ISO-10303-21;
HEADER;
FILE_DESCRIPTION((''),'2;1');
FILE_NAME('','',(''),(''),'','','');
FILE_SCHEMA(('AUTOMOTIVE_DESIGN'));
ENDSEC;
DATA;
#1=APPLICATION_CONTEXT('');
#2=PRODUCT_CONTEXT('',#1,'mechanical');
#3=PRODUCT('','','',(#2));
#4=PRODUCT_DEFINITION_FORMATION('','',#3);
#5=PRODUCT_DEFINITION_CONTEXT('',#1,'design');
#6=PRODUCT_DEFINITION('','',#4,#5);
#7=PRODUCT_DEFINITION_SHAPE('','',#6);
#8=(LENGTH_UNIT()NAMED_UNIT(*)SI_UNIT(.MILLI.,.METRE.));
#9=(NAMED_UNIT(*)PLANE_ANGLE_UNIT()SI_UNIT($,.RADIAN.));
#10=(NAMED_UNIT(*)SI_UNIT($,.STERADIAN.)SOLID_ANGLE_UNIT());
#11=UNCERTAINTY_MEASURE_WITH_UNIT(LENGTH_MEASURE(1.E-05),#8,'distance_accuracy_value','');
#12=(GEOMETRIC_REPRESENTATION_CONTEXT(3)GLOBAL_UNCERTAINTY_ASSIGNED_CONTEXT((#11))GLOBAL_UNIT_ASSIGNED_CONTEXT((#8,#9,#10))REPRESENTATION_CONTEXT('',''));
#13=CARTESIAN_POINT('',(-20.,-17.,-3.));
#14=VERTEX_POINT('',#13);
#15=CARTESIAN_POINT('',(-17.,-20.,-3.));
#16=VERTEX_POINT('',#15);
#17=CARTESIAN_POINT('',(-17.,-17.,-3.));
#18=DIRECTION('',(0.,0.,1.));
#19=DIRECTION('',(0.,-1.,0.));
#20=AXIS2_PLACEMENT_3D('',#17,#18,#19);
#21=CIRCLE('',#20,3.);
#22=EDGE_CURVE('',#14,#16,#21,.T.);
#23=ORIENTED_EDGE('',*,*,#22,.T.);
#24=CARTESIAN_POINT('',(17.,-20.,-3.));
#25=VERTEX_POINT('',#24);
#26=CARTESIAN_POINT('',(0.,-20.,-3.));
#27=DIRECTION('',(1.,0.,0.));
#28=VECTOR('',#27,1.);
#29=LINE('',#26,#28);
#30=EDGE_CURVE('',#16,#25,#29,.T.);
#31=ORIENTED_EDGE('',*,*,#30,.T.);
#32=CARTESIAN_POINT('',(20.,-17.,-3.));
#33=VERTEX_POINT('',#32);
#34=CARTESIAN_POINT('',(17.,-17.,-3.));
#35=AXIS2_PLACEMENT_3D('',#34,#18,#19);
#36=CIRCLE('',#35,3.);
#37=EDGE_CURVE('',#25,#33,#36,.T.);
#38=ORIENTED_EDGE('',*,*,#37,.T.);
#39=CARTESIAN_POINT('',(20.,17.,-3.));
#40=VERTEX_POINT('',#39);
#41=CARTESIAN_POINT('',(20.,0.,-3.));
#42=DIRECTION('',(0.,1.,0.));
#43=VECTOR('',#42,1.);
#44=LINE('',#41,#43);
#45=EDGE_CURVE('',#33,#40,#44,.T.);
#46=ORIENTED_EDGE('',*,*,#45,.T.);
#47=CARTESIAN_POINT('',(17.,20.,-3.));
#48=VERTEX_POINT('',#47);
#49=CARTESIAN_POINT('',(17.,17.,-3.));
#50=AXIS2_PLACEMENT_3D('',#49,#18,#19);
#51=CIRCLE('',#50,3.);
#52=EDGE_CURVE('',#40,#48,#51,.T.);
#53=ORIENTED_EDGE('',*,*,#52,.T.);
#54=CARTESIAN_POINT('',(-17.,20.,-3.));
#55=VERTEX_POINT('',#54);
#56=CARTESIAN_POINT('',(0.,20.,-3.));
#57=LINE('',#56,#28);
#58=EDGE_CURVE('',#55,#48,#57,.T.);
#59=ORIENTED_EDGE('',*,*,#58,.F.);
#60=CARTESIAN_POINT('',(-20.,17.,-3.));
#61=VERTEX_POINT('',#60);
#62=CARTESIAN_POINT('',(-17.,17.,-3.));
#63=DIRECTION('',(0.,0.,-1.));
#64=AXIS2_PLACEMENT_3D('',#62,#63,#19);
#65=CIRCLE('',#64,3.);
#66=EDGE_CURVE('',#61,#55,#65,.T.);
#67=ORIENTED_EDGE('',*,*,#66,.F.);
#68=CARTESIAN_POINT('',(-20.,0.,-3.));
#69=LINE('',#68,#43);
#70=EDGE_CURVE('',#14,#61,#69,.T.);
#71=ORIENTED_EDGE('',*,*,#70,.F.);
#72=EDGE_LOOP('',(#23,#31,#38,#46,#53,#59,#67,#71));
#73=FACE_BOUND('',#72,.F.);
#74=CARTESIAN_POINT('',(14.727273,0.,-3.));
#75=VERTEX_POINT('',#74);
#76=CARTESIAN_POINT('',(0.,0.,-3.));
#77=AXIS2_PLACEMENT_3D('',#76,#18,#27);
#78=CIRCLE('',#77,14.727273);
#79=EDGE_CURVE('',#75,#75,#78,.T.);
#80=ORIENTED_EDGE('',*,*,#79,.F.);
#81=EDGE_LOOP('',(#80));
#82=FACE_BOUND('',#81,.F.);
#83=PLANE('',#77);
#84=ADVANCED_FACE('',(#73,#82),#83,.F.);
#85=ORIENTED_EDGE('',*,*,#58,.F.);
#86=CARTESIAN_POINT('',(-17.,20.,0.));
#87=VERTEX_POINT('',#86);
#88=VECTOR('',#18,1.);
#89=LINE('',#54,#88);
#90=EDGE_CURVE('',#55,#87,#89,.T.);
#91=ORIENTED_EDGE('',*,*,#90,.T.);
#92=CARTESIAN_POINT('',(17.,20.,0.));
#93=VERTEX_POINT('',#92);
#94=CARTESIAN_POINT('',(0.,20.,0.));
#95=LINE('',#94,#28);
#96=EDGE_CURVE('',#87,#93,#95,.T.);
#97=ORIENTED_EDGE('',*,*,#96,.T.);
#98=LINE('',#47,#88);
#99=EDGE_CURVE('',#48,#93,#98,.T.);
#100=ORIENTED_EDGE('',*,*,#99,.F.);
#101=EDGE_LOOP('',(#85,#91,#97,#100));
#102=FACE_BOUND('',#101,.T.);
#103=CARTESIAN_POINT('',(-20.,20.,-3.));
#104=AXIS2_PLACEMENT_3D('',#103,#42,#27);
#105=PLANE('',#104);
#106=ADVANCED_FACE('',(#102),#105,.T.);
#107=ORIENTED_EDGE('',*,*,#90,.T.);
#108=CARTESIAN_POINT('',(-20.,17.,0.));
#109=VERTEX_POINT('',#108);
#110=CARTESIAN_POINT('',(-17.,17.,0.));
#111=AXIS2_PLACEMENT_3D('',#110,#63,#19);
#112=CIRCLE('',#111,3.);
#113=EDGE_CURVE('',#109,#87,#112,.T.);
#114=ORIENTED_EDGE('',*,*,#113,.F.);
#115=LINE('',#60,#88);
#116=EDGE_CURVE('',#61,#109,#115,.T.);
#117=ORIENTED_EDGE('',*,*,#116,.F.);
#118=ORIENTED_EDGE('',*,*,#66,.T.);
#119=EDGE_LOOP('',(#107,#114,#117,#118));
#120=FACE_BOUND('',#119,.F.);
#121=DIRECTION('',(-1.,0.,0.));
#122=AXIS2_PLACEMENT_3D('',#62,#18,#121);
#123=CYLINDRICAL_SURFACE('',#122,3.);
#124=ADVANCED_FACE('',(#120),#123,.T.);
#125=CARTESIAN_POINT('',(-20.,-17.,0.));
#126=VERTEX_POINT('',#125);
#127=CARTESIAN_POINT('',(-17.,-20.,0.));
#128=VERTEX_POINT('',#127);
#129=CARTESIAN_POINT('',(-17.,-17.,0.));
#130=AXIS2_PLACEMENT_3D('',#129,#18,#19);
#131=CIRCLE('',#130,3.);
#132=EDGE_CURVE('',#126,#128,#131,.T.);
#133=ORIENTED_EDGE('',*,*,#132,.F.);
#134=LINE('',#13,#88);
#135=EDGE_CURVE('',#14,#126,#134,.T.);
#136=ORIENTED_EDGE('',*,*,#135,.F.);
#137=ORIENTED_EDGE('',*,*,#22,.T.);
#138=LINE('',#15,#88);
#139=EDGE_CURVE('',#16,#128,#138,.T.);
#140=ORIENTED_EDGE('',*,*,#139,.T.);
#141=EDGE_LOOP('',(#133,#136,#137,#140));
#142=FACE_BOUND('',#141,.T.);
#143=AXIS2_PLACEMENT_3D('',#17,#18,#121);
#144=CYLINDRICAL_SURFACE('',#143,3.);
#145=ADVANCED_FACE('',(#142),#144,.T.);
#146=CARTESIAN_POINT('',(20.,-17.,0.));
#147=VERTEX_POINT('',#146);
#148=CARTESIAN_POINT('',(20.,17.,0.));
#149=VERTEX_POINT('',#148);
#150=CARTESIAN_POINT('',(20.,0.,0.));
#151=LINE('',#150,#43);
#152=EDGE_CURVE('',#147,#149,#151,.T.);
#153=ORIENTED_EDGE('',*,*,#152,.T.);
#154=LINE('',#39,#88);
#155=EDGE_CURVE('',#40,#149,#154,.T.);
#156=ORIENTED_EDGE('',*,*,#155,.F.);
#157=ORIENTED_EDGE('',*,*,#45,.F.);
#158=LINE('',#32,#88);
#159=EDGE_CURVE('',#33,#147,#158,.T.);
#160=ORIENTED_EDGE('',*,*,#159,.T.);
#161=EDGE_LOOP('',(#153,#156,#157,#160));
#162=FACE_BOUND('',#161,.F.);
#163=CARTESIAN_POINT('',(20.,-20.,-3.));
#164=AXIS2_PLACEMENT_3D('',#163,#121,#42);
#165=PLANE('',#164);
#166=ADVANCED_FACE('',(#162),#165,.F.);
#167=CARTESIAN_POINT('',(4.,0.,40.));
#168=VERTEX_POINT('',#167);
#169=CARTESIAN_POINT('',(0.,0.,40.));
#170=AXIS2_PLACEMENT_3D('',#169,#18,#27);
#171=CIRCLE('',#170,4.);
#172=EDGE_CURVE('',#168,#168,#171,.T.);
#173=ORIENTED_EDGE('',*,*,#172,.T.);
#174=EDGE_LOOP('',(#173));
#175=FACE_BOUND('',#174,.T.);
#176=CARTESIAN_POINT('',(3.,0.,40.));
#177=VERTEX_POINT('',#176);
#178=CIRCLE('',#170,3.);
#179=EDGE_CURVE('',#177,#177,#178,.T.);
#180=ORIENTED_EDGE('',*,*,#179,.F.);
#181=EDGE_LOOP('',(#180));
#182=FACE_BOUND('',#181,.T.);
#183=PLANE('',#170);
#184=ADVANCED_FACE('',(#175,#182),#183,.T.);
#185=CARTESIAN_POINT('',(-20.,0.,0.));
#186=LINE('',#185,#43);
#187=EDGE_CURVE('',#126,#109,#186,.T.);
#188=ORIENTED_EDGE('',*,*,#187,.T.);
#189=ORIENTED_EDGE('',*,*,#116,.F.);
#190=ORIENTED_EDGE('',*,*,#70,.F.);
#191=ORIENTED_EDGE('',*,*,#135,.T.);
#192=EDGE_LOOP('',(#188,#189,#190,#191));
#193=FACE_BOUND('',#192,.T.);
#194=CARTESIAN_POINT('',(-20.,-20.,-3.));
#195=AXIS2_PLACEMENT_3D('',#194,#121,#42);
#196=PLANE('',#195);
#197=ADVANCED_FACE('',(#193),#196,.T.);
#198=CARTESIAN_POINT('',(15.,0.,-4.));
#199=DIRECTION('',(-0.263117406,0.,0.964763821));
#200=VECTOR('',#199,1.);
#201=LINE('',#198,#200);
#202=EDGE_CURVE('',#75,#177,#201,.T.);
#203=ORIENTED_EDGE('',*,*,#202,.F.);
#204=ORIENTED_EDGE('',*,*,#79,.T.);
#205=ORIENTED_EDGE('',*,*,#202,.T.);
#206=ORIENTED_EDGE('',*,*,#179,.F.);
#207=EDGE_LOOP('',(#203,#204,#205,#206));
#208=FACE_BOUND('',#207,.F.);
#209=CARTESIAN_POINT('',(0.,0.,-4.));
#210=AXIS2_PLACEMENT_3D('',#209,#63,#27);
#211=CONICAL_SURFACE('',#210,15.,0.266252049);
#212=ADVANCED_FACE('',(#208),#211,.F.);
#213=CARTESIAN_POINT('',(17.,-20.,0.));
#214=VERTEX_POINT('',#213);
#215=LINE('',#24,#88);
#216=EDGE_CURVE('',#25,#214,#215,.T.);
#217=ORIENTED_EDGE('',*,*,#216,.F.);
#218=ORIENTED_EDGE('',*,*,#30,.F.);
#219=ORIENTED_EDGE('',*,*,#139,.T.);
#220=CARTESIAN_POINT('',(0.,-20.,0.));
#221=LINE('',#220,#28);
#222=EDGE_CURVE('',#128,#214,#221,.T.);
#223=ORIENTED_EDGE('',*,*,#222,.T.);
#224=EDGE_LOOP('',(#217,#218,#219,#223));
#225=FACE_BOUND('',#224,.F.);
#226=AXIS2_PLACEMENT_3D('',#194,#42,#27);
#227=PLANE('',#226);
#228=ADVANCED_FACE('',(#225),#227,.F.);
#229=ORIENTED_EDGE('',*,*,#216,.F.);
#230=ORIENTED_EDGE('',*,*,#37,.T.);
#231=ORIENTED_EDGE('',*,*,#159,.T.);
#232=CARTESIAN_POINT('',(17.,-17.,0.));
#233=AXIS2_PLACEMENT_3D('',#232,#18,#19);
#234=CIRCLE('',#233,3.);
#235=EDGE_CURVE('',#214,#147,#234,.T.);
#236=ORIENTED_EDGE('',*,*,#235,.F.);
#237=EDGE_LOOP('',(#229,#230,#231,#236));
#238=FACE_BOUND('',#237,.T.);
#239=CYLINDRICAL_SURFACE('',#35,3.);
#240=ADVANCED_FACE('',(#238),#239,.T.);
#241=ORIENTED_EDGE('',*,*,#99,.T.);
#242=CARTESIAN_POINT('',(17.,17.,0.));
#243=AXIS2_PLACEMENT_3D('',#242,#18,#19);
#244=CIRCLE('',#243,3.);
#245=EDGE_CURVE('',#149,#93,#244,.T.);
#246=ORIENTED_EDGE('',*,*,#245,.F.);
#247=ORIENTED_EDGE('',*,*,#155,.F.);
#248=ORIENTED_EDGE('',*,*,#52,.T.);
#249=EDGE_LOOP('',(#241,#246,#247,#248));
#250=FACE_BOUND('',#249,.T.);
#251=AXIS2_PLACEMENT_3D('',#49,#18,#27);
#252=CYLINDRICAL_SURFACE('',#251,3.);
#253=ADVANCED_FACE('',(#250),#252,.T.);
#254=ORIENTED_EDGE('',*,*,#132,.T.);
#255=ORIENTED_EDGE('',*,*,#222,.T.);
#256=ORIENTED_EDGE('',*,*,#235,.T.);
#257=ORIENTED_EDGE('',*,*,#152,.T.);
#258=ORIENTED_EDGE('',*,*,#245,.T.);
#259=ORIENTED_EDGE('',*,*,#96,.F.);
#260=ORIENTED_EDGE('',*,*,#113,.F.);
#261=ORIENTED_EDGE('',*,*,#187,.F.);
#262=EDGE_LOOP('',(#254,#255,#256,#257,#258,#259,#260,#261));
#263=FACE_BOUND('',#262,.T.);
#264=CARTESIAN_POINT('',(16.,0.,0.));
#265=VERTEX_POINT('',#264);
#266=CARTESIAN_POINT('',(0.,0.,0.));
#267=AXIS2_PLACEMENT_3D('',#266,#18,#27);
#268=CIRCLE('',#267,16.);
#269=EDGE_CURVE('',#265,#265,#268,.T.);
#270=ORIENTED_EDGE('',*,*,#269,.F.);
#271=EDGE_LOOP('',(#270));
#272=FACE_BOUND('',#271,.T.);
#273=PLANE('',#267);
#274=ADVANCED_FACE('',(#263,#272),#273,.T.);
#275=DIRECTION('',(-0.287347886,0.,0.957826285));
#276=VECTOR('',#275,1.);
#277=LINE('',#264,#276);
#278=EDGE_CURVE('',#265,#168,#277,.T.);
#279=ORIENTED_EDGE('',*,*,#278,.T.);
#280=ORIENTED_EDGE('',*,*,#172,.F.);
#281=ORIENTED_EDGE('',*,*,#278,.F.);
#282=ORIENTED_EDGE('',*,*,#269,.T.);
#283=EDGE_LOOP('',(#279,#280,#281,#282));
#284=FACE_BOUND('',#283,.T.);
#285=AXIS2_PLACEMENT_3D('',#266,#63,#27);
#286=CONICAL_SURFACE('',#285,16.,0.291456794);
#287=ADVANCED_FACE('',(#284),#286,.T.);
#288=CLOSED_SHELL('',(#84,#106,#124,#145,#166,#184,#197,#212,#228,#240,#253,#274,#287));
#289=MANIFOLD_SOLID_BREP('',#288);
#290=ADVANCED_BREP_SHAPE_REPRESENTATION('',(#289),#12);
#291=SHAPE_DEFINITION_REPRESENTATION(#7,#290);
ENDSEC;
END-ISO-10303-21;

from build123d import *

# Parameters (mm, degrees)
BOX_W     = 40
BOX_H     = 40
BOX_DEPTH = 3
FILLET_R  = 3


with BuildPart() as con001:
    # Cone001 → Cone001 (revolve)
    with BuildSketch(Plane(origin=(0, 0, -4), x_dir=(1, 0, 0), z_dir=(0, -1, 0))):
        Polygon((0, 0), (15, 0), (3, 44), (0, 44), align=None)
    revolve(axis=Axis((0, 0, -4), (0, 0, 1)))


with BuildPart() as con:
    # Cone → Cone (revolve)
    with BuildSketch(Plane.XZ):
        Polygon((0, 0), (16, 0), (4, 40), (0, 40), align=None)
    revolve(axis=Axis((0, 0, 0), (0, 0, 1)))


with BuildPart() as cut:
    # Box → Box (new body)
    with BuildSketch(Plane.XY):
        with Locations((20, 20)):
            Rectangle(BOX_W, BOX_H)
    extrude(amount=BOX_DEPTH)

    # Fillet
    fillet_edges = [cut.edges().sort_by_distance(p)[0] for p in [
        (0, 0, 1.5),
        (0, 40, 1.5),
        (40, 0, 1.5),
        (40, 40, 1.5),
    ]]
    fillet(fillet_edges, radius=FILLET_R)


with BuildPart() as cut_1:
    # Fillet placement: moved
    add(cut.part.moved(Location((-20, -20, -3))))

    # Fusion: union Con
    add(con.part)

    # Cut: cut Con001
    add(con001.part, mode=Mode.SUBTRACT)


solid = cut_1.part
